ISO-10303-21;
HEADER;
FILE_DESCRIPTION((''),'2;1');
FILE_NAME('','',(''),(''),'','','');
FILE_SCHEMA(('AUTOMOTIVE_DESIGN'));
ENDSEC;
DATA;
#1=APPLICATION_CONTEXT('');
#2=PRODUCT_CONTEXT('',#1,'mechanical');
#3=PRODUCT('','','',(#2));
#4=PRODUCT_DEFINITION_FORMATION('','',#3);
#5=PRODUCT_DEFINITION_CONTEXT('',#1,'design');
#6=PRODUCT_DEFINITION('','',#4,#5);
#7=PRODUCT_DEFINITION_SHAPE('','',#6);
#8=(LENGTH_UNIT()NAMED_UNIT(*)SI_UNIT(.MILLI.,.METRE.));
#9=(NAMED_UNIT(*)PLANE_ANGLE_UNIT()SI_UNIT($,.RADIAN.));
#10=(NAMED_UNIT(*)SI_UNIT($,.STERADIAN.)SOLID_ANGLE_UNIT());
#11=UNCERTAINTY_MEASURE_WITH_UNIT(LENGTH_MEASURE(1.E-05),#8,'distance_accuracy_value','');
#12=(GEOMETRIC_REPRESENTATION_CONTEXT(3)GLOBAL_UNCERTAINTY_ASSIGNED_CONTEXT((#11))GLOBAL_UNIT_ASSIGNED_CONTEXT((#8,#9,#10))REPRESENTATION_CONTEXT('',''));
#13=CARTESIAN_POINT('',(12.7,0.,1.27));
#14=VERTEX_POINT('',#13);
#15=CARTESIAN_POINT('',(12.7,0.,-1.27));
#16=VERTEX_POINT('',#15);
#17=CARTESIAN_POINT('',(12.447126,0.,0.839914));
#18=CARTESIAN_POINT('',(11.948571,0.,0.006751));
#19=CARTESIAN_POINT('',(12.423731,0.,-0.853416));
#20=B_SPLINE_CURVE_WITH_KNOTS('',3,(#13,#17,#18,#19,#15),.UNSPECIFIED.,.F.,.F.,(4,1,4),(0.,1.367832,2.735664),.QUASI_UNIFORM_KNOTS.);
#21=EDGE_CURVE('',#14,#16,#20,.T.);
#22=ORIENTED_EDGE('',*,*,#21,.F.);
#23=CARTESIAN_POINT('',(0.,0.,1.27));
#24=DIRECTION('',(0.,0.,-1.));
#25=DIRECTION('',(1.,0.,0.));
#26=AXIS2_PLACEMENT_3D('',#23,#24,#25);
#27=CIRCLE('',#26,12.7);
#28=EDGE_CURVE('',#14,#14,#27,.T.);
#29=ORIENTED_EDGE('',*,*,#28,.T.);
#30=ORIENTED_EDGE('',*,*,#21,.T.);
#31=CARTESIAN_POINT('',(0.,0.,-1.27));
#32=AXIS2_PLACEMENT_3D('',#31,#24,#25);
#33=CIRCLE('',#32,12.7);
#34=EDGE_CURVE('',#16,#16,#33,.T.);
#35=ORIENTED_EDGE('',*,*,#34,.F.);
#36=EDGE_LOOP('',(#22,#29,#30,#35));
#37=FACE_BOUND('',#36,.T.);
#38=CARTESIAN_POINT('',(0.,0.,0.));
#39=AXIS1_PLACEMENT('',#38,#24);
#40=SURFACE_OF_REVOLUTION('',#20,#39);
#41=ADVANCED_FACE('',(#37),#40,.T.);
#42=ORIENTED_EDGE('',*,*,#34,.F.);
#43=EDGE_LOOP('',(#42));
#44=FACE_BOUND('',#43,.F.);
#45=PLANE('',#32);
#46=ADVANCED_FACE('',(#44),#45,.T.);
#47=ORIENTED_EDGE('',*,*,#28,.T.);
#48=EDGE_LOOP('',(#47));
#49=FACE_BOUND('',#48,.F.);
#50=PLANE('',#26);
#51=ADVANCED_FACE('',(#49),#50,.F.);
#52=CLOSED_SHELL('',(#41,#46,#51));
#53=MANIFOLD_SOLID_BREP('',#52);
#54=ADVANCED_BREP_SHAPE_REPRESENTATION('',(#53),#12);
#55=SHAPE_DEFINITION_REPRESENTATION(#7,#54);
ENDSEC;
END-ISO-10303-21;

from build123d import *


with BuildPart() as f1:
    # F0 (on Front) → F1 (revolve)
    with BuildSketch(Plane.XZ):
        with BuildLine():
            Line((12.7, 1.27), (0, 1.27))
            Line((0, 1.27), (0, -1.27))
            Line((0, -1.27), (12.7, -1.27))
            add(Edge.make_bspline(
                [(12.7, 1.27), (12.447126, 0.839914), (11.948571, 0.006751), (12.423731, -0.853416), (12.7, -1.27)],
                knots=[0, 0, 0, 0, 1.367832, 2.735664, 2.735664, 2.735664, 2.735664], degree=3))
        make_face()
    revolve(axis=Axis((0, 0, 0), (0, 0, -1)))


solid = f1.part
